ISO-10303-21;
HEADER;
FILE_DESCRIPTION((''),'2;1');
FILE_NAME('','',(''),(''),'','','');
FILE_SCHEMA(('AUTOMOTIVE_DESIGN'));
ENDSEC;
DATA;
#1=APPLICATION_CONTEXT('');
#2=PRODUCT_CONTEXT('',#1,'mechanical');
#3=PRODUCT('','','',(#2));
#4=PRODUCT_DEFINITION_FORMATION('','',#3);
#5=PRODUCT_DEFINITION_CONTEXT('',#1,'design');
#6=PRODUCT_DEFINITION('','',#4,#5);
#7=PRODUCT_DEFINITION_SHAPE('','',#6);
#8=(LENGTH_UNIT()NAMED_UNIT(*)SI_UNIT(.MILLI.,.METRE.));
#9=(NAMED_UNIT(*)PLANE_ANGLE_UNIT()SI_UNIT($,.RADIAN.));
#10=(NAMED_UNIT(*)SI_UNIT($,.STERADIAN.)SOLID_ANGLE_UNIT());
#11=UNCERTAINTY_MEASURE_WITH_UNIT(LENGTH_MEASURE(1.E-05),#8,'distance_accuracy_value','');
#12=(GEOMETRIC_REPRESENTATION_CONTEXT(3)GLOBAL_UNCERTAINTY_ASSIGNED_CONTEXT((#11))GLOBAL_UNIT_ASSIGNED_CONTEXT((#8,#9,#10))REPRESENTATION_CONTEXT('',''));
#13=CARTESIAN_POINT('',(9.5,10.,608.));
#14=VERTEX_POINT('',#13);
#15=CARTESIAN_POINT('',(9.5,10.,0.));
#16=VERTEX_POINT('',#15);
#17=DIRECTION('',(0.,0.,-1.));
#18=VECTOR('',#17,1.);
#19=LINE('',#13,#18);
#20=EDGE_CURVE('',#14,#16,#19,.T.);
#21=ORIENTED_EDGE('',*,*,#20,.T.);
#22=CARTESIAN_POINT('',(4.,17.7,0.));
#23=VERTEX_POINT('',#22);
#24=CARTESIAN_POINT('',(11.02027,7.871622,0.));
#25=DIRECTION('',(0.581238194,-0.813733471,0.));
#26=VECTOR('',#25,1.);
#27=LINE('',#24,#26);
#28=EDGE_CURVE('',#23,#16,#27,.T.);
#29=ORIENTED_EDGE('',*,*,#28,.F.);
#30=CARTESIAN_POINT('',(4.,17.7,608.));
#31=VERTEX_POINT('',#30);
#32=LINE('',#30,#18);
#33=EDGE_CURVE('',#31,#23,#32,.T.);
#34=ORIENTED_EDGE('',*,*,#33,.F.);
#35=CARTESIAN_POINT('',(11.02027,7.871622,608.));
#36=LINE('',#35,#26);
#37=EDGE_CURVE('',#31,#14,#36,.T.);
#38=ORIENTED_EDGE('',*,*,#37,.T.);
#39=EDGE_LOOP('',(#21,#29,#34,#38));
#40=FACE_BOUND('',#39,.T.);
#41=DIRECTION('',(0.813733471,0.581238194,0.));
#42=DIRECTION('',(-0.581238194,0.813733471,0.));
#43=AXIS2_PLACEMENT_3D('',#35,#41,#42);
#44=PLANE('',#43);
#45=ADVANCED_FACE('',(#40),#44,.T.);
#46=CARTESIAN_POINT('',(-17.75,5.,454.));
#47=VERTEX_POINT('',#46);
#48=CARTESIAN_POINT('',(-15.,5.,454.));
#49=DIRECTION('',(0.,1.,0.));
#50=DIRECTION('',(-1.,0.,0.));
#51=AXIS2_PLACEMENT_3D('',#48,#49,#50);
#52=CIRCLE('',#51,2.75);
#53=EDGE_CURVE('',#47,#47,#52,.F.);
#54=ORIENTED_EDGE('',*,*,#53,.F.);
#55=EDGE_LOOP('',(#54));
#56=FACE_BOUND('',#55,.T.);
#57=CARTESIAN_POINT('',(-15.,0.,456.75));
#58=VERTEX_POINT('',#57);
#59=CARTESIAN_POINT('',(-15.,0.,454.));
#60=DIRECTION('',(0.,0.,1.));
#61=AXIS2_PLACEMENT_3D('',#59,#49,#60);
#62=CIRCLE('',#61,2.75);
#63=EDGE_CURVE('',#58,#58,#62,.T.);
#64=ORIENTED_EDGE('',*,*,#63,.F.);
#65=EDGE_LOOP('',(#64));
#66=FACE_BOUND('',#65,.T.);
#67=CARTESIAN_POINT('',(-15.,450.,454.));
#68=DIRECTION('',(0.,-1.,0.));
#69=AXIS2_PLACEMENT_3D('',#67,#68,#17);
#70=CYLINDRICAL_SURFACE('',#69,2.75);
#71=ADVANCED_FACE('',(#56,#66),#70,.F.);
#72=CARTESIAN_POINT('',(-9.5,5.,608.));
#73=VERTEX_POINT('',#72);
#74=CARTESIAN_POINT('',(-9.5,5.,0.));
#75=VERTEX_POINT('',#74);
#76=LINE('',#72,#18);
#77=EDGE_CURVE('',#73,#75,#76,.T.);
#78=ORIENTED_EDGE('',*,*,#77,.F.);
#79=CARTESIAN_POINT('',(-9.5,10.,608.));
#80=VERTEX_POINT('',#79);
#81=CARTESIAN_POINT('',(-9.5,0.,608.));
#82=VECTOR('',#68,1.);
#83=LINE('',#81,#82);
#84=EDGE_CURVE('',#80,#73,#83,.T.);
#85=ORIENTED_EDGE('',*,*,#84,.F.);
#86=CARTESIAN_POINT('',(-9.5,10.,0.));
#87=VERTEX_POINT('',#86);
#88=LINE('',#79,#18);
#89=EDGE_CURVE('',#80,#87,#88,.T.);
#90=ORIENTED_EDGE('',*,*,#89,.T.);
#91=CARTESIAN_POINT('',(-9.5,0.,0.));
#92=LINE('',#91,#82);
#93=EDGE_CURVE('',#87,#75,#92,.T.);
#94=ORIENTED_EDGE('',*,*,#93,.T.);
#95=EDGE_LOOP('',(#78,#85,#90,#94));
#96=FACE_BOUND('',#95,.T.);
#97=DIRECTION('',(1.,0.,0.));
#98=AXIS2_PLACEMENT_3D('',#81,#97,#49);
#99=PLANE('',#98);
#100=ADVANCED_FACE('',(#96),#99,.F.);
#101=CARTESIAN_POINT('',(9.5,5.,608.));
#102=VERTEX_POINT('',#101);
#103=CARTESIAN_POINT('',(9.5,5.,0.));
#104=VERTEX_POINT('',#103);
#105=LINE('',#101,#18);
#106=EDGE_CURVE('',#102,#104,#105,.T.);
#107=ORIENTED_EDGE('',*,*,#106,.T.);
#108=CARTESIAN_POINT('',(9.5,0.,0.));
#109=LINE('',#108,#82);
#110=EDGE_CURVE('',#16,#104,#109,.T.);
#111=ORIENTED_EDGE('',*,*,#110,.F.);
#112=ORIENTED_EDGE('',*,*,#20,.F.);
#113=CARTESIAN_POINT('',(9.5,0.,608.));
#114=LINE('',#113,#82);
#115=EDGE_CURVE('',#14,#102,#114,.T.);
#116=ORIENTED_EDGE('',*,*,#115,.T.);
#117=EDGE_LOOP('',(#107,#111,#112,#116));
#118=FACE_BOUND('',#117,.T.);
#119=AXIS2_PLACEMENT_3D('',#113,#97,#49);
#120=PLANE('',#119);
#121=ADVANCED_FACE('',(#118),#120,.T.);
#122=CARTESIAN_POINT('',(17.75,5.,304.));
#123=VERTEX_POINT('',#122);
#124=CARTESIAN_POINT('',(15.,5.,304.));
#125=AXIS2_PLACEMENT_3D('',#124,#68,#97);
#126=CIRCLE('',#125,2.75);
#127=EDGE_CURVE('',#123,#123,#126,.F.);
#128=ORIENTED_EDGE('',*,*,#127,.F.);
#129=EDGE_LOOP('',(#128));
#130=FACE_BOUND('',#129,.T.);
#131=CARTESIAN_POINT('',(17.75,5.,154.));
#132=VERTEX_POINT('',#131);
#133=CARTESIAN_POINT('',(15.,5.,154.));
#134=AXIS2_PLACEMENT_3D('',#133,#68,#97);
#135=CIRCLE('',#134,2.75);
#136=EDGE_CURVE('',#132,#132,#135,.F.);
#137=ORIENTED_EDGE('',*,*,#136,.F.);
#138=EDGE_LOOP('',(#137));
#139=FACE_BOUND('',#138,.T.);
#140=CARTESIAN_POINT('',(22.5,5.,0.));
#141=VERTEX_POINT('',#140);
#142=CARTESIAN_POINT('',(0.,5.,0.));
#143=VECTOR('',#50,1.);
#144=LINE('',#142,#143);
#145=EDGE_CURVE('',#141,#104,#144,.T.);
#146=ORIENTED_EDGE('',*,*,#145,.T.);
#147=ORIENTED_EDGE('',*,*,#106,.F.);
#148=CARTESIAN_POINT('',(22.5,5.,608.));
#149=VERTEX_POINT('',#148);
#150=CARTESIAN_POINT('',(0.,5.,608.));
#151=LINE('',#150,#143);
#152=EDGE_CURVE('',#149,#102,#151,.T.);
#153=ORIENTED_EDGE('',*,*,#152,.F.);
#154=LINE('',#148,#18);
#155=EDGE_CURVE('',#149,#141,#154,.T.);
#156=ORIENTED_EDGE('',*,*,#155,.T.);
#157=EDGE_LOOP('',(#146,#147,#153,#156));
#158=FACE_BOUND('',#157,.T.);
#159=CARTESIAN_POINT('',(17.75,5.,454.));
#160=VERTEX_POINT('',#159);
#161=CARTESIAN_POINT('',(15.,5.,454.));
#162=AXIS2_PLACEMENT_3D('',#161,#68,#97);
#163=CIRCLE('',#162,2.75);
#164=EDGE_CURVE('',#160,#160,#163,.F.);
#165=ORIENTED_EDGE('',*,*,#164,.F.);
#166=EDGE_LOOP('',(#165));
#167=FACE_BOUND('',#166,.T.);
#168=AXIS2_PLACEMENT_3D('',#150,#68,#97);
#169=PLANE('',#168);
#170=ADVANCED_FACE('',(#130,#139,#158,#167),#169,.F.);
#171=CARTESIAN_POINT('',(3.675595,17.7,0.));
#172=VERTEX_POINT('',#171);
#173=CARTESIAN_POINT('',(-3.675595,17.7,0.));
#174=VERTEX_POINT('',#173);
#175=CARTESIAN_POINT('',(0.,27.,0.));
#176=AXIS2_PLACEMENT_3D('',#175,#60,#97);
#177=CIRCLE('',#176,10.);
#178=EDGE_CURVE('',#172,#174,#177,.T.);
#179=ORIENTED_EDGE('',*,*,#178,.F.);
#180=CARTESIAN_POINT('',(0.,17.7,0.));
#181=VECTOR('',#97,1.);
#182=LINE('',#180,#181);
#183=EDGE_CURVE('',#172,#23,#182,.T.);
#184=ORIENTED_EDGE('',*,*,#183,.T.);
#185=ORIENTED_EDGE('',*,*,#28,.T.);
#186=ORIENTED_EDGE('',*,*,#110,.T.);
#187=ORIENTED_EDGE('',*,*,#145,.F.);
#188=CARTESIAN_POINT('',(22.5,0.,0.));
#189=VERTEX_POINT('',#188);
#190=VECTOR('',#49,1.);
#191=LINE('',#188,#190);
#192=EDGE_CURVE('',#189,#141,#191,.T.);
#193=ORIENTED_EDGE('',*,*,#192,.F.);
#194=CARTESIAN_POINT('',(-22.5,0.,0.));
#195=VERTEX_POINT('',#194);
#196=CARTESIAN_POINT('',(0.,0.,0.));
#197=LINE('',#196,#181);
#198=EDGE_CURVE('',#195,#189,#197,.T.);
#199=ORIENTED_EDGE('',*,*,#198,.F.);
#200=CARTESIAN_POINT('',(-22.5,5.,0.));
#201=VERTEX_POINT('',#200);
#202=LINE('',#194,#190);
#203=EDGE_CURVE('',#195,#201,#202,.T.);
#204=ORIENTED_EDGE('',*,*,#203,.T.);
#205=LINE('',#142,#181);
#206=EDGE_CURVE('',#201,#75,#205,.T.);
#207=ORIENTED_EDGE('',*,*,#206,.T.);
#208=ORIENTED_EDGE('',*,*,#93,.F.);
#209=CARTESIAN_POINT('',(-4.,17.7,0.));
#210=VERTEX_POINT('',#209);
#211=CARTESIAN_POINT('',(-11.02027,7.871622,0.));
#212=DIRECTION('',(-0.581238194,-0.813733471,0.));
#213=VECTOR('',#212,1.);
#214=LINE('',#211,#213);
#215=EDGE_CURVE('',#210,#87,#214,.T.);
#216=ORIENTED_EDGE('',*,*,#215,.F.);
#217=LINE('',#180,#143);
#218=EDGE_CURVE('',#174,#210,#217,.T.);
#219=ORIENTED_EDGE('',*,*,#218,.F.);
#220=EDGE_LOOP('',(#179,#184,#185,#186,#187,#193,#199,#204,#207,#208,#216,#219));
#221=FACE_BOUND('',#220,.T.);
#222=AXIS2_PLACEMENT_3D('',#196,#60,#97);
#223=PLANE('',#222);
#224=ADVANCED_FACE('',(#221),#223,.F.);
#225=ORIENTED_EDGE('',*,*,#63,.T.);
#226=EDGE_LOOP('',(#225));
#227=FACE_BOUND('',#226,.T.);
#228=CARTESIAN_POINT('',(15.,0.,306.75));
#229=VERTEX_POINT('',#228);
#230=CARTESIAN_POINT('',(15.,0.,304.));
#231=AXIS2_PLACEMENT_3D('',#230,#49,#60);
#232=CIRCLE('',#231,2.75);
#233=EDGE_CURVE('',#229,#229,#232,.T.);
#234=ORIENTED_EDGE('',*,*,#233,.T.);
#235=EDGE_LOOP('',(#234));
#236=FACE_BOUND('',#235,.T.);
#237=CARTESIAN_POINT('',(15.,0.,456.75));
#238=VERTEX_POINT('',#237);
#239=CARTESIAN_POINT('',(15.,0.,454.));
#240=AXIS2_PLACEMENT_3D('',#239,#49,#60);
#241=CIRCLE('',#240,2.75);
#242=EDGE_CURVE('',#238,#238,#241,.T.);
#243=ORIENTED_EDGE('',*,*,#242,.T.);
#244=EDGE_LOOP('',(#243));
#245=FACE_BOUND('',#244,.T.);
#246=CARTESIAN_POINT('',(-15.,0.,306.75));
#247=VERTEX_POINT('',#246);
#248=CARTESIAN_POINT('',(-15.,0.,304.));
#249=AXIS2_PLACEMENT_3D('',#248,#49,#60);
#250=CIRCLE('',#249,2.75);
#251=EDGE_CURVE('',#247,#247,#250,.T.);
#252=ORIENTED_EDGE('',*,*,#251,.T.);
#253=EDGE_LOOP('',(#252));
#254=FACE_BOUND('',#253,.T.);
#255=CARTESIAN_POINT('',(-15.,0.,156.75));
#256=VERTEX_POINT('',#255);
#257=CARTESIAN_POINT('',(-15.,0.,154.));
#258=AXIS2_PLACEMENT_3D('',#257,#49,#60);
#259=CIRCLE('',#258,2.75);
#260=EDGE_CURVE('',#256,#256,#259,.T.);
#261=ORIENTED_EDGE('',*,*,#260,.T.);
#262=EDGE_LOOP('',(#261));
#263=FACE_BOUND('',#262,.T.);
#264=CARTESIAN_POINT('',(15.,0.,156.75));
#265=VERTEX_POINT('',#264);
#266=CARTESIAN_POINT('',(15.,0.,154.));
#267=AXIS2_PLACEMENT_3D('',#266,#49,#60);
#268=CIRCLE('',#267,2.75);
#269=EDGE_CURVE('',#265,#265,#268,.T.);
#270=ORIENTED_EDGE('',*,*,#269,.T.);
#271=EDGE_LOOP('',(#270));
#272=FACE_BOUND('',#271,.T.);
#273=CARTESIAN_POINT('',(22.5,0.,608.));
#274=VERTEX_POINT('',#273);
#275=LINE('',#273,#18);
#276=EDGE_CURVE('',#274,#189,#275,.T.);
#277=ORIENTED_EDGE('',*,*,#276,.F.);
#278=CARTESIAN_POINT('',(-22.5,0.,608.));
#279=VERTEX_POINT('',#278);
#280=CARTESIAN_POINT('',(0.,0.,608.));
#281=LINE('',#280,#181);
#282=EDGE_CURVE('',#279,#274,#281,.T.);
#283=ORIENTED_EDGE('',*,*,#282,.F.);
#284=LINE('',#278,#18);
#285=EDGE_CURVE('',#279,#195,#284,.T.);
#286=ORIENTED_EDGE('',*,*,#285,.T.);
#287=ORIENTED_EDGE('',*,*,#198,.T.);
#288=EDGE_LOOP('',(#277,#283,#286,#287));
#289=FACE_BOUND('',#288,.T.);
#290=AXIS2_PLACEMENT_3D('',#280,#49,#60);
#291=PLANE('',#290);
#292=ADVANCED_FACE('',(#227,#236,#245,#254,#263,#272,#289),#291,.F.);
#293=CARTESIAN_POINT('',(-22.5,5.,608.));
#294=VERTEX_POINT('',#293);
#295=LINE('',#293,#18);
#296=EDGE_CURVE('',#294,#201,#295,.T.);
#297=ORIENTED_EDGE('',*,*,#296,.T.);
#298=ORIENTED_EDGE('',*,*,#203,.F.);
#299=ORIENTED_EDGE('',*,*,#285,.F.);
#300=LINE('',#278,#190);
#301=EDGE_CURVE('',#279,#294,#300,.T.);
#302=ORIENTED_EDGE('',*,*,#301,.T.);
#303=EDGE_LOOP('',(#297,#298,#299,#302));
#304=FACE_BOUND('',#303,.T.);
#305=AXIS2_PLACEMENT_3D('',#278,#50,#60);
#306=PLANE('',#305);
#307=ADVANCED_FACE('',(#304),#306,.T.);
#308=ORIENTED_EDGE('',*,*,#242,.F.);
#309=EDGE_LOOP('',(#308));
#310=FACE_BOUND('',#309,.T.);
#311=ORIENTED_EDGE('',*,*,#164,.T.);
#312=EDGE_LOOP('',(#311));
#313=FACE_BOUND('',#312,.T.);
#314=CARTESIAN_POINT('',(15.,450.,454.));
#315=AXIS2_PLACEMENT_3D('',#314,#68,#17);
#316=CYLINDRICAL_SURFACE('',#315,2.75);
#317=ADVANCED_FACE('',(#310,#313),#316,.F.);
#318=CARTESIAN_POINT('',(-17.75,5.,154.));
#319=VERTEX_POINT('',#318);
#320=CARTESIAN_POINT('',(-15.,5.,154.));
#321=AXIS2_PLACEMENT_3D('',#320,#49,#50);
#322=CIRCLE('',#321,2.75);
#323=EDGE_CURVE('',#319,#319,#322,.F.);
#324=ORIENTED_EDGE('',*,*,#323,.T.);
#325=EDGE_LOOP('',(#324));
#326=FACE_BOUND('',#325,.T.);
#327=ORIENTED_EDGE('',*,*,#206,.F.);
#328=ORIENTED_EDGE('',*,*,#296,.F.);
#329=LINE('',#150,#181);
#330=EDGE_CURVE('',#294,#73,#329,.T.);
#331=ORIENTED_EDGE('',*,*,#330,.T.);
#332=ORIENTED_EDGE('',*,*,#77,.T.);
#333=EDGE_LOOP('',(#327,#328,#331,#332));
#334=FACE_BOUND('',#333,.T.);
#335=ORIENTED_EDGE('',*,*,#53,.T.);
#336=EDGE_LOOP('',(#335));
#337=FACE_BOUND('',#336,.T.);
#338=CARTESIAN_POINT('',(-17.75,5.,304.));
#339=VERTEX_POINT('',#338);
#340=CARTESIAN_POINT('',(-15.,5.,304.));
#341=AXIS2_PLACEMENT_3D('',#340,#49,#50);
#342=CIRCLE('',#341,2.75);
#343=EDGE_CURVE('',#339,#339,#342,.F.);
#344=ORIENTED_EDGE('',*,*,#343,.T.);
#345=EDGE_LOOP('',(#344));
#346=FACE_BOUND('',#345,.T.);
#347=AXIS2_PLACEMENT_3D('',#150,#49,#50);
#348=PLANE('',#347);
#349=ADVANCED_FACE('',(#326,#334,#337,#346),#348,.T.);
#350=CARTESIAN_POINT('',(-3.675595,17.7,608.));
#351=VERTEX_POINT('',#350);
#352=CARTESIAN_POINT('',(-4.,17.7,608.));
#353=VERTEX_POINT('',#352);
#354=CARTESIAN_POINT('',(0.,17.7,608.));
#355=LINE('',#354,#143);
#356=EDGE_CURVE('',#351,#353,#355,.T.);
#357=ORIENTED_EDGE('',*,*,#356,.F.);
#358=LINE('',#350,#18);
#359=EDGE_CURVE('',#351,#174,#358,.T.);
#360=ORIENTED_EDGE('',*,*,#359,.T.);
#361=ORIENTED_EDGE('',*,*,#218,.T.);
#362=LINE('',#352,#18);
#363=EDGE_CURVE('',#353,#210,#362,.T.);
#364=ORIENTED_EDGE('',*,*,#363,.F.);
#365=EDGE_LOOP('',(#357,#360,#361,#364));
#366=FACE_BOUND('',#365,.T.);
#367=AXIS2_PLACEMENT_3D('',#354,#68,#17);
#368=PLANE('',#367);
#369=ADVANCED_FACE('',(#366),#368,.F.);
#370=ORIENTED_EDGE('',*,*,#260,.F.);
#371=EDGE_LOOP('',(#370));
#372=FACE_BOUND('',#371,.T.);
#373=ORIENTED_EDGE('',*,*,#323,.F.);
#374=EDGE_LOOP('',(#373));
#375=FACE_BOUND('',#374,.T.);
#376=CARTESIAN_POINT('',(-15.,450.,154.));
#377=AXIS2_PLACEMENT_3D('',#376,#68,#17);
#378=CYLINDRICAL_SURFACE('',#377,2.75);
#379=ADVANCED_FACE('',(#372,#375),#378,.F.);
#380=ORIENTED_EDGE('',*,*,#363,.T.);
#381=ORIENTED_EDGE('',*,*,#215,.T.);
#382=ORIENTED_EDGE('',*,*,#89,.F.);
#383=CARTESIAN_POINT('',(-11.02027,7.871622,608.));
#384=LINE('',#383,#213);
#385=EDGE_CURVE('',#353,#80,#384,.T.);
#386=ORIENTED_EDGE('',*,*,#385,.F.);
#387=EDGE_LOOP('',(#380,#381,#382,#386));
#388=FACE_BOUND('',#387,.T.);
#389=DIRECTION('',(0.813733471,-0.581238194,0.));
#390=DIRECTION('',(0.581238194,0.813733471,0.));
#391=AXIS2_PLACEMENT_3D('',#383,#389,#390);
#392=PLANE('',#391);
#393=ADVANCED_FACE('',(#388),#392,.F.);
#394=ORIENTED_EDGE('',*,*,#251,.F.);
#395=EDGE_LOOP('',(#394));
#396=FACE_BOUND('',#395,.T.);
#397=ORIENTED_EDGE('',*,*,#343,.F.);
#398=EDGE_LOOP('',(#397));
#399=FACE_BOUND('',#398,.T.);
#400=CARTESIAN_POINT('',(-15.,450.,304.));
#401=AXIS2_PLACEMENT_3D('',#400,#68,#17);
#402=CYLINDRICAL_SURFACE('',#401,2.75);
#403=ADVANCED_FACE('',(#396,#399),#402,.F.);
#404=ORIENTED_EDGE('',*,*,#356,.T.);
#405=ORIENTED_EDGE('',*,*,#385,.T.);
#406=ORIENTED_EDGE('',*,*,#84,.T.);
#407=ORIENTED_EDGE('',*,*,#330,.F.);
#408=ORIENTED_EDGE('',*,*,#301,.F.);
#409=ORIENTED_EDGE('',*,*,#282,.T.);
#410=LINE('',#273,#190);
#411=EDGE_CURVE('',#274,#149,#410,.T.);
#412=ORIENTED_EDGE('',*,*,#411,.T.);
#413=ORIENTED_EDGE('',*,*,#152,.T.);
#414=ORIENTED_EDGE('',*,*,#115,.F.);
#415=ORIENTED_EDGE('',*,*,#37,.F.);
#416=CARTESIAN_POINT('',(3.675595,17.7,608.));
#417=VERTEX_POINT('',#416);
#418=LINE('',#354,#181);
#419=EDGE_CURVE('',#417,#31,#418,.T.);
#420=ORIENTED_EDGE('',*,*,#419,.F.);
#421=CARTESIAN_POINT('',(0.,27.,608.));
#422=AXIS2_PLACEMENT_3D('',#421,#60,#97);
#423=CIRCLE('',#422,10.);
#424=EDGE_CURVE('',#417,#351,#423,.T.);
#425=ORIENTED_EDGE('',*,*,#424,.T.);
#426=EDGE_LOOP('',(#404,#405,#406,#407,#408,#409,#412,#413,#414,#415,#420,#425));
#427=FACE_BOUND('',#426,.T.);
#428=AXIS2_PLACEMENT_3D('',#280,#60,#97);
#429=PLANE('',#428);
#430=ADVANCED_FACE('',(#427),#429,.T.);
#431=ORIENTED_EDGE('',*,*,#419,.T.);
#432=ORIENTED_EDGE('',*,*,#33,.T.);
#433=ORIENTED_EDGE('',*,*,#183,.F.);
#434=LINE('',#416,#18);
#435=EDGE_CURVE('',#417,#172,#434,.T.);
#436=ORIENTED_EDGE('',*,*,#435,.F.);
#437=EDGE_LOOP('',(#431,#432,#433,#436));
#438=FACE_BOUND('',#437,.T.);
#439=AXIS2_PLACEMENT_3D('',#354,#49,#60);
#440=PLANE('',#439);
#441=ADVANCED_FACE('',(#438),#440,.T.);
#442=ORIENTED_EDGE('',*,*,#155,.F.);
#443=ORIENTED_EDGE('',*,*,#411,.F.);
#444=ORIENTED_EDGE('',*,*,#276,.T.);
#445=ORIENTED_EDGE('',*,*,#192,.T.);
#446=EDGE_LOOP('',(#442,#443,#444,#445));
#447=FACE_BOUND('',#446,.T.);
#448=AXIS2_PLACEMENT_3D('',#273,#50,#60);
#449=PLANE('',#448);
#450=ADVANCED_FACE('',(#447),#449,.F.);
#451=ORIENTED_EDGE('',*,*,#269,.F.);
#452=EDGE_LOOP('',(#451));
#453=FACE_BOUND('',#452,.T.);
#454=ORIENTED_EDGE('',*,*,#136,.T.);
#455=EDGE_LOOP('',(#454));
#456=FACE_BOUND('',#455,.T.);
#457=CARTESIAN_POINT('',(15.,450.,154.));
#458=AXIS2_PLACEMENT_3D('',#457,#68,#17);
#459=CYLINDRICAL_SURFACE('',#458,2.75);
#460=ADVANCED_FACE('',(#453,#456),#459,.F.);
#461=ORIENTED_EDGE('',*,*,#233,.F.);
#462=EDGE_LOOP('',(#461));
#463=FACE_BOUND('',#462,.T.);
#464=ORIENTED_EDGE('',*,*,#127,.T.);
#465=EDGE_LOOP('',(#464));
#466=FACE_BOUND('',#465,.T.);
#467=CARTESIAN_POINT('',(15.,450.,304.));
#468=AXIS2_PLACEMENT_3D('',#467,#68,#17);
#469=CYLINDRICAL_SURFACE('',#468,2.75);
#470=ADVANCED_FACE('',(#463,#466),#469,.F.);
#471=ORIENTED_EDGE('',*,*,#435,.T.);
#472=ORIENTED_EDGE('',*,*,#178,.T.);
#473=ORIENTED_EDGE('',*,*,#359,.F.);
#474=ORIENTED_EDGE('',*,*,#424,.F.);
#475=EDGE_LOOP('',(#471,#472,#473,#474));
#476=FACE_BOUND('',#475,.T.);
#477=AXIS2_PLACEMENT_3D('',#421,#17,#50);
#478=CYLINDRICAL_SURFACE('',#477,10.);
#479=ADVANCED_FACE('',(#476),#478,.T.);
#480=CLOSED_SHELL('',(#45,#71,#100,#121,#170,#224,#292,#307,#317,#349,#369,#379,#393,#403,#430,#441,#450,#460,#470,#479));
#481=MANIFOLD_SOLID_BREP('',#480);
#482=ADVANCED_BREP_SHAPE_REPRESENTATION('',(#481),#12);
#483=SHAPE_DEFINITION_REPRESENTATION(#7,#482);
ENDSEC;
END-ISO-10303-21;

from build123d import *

# Parameters (mm, degrees)
SKETCH_1_R          = 10
EXTRUDE_1_DEPTH     = 608
SKETCH_2_R          = 2.75
CUT_EXTRUDE_2_DEPTH = 450


with BuildPart() as part:
    # 草图1 → 凸台-拉伸1 (new body)
    with BuildSketch(Plane.XY):
        with Locations((0, 27)):
            Circle(SKETCH_1_R)
        with BuildLine():
            Line((-22.5, 5), (-22.5, 0))
            Line((-22.5, 0), (0, 0))
            Line((0, 0), (0, 17))
            ThreePointArc((0, 17), (-1.870828693, 17.176558648), (-3.67559519, 17.7))
            Line((-3.67559519, 17.7), (-4, 17.7))
            Line((-4, 17.7), (-9.5, 10))
            Line((-9.5, 10), (-9.5, 5))
            Line((-9.5, 5), (-22.5, 5))
        make_face()
        with BuildLine():
            Line((0, 17), (0, 0))
            Line((0, 0), (22.5, 0))
            Line((22.5, 0), (22.5, 5))
            Line((22.5, 5), (9.5, 5))
            Line((9.5, 5), (9.5, 10))
            Line((9.5, 10), (4, 17.7))
            Line((4, 17.7), (3.67559519, 17.7))
            ThreePointArc((3.67559519, 17.7), (1.870828693, 17.176558648), (0, 17))
        make_face()
    extrude(amount=EXTRUDE_1_DEPTH)

    # 草图2 → 切除-拉伸2 (cut)
    with BuildSketch(Plane(origin=(0, 0, 0), x_dir=(1, 0, 0), z_dir=(0, 1, 0))):
        with Locations((15, -304)):
            Circle(SKETCH_2_R)
        with Locations((15, -454)):
            Circle(SKETCH_2_R)
        with Locations(Location((-15, -304, 0), (0, 0, 180))):
            Circle(SKETCH_2_R)
        with Locations(Location((-15, -454, 0), (0, 0, 180))):
            Circle(SKETCH_2_R)
        with Locations((15, -154)):
            Circle(SKETCH_2_R)
        with Locations(Location((-15, -154, 0), (0, 0, 180))):
            Circle(SKETCH_2_R)
    extrude(amount=CUT_EXTRUDE_2_DEPTH, mode=Mode.SUBTRACT)


solid = part.part
